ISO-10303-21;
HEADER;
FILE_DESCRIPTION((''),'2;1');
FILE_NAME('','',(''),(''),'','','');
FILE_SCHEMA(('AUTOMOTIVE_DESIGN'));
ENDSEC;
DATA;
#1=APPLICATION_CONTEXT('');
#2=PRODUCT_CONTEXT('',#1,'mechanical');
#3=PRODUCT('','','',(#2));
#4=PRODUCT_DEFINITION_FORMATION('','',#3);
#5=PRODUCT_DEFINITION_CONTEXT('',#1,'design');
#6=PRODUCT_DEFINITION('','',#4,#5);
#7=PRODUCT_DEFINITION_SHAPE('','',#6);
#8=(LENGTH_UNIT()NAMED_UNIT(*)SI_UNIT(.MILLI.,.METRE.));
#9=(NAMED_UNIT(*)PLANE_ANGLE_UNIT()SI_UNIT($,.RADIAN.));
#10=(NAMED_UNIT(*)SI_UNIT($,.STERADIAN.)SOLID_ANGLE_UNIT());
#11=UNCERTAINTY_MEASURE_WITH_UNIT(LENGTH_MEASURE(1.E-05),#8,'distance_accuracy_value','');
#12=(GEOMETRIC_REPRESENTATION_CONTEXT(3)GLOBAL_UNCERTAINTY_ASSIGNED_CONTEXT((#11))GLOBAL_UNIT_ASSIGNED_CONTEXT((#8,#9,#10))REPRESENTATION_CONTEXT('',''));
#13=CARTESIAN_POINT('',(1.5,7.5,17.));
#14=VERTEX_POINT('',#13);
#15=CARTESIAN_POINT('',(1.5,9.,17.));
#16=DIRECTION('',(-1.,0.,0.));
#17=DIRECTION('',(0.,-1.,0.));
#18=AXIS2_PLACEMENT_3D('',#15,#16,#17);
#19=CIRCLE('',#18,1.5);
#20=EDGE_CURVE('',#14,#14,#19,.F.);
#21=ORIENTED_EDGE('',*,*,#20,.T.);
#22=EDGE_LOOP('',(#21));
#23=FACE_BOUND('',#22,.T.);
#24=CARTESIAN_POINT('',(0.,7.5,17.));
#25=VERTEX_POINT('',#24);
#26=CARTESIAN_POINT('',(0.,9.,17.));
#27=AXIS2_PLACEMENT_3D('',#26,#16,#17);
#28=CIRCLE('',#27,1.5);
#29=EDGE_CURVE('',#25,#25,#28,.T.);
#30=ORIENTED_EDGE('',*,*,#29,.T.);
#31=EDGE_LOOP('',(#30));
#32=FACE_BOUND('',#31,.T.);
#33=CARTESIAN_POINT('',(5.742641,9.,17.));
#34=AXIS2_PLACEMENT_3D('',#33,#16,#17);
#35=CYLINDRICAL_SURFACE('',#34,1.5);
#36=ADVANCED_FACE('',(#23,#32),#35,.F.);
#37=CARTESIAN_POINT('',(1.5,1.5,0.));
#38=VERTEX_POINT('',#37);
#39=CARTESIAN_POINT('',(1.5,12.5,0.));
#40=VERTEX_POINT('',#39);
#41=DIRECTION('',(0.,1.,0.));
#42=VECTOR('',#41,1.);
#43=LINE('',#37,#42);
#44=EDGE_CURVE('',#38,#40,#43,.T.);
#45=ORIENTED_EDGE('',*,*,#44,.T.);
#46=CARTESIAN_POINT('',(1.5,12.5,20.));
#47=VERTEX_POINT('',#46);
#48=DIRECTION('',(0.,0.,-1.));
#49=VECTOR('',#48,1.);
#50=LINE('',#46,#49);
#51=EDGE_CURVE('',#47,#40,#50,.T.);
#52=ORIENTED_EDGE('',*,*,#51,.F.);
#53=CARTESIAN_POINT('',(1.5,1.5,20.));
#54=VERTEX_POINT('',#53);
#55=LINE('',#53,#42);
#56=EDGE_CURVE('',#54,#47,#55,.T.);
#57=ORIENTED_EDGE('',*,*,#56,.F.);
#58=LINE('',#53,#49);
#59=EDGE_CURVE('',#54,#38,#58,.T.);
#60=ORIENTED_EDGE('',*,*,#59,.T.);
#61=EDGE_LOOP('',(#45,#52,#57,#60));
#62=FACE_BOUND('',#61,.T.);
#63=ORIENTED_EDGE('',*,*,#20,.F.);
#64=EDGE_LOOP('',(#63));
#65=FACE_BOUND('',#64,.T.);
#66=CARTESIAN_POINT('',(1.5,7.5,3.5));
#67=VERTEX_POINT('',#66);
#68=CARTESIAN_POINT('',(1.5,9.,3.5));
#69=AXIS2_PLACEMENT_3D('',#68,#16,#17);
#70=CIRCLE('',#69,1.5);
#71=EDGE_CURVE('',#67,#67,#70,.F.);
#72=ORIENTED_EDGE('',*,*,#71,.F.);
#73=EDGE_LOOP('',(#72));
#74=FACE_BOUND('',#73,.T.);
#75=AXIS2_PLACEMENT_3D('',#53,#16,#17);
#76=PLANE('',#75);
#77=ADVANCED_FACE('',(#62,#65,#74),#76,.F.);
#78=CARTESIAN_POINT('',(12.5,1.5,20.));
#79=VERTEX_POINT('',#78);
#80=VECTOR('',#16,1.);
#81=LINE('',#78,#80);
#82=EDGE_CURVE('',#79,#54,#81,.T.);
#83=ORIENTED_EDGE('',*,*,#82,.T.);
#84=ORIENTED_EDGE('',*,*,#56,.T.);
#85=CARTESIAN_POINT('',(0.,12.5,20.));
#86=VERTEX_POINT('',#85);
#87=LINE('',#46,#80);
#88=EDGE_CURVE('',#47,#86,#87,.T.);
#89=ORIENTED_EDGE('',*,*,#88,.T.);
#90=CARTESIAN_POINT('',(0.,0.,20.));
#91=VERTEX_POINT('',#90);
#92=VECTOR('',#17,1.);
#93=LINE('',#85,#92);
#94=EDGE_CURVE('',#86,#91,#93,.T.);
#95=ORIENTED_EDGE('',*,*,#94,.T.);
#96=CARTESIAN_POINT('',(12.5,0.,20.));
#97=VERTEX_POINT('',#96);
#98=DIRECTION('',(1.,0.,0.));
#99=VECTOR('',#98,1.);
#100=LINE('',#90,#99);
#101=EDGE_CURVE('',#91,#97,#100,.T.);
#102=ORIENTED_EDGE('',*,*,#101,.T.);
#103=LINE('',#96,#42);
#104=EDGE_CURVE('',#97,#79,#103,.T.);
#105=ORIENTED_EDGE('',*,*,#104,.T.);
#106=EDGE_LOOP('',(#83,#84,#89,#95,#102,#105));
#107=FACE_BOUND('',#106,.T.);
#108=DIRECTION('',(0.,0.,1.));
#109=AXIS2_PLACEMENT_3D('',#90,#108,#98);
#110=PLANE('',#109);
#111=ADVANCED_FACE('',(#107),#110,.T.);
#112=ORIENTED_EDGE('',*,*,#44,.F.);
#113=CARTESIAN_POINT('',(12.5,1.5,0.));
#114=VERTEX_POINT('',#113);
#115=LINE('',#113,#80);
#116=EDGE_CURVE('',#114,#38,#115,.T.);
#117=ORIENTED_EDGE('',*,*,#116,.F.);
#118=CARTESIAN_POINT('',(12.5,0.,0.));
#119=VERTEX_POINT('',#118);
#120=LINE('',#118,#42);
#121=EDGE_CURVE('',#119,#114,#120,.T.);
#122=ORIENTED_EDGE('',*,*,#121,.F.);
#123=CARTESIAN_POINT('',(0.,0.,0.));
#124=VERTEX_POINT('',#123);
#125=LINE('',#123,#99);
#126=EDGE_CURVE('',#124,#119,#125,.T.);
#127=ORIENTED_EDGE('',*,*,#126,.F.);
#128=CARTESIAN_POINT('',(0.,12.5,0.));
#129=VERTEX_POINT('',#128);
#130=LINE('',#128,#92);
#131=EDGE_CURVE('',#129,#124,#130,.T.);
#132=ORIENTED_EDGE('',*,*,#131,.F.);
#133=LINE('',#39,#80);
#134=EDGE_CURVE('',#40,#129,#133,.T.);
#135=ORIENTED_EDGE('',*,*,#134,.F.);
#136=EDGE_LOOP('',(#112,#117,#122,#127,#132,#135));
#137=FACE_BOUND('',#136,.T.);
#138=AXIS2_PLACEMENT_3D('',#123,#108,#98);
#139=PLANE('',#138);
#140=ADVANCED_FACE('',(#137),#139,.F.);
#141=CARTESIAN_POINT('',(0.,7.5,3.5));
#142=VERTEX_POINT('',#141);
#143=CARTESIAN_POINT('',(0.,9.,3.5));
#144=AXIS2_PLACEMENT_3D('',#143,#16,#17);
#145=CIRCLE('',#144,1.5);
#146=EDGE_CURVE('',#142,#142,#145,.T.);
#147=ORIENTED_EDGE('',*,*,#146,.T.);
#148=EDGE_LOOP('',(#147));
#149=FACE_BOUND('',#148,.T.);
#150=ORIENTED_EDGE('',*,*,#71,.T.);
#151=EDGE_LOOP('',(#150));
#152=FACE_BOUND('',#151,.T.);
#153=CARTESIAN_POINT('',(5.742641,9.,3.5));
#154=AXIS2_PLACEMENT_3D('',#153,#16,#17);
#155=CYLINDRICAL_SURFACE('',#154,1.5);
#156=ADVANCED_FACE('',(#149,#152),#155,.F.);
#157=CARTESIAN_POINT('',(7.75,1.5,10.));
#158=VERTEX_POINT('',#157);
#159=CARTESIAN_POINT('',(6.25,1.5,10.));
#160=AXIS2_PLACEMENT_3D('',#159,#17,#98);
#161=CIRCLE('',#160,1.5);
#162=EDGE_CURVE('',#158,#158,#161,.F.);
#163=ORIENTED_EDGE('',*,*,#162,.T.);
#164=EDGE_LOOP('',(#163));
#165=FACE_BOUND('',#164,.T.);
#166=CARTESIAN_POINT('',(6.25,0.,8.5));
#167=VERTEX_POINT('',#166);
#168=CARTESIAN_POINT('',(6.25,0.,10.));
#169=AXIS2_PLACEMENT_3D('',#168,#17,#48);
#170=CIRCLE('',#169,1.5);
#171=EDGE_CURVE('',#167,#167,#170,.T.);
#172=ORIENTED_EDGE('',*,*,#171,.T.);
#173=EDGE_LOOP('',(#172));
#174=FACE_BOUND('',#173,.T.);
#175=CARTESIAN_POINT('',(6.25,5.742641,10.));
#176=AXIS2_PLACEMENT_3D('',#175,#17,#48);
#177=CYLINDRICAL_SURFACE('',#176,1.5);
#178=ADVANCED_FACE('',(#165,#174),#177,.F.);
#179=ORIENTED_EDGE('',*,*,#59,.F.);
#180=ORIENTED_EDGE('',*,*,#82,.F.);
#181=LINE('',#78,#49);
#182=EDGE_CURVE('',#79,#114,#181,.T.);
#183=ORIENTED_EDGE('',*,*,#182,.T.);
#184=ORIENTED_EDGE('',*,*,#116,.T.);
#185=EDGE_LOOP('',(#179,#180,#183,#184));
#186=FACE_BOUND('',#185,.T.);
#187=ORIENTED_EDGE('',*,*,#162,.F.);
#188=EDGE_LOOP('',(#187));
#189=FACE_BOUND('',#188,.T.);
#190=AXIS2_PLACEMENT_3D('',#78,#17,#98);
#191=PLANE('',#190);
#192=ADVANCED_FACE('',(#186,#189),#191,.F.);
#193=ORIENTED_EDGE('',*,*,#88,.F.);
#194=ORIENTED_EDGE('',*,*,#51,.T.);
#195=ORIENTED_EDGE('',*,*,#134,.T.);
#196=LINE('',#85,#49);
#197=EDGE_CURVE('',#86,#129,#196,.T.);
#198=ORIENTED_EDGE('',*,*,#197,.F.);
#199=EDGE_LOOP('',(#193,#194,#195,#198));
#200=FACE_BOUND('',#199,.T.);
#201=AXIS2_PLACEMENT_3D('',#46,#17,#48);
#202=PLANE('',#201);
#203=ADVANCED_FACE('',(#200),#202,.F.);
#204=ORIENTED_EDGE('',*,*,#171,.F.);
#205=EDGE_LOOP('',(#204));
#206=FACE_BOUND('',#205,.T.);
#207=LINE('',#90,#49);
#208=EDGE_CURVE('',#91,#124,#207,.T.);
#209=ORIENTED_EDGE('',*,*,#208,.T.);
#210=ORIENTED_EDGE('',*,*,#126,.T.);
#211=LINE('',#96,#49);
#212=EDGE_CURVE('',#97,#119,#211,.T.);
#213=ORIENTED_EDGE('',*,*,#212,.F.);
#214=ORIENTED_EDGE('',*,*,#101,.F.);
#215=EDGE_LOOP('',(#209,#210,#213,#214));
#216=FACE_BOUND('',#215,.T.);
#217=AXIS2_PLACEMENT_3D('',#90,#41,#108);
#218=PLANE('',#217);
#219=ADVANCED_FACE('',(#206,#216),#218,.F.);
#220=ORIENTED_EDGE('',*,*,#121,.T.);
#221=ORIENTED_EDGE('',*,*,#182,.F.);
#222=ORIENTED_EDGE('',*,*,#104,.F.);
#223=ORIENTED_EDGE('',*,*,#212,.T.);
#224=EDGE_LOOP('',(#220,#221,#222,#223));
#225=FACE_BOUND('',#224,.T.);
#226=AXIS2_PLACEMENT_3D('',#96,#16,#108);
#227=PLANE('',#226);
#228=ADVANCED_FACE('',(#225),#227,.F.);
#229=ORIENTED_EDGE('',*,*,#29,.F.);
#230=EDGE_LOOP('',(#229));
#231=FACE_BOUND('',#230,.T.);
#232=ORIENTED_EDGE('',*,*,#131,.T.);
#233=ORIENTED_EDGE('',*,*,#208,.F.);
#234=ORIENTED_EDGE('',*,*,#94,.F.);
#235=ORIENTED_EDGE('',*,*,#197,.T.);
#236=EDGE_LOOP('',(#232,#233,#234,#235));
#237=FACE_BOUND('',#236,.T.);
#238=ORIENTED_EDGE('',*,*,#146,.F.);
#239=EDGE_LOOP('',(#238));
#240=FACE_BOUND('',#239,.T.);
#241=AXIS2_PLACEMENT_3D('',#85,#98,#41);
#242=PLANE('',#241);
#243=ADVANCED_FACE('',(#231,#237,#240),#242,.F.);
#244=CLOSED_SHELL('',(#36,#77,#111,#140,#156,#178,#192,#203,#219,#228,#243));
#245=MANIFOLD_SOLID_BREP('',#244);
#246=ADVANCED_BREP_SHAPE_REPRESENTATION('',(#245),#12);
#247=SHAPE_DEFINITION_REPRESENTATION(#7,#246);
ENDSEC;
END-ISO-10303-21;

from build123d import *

# Parameters (mm, degrees)
SALIENTE_EXTRUIR1_DEPTH = 20
CROQUIS2_R              = 1.5
CORTAR_EXTRUIR1_DEPTH   = 1.5
CROQUIS3_R              = 1.5
CORTAR_EXTRUIR2_DEPTH   = 1.5


with BuildPart() as part:
    # Croquis1 → Saliente-Extruir1 (new body)
    with BuildSketch(Plane.XY):
        Polygon((0, 0), (12.5, 0), (12.5, 1.5), (1.5, 1.5), (1.5, 12.5), (0, 12.5), align=None)
    extrude(amount=SALIENTE_EXTRUIR1_DEPTH)

    # Croquis2 → Cortar-Extruir1 (cut)
    with BuildSketch(Plane.ZY):
        with Locations(Location((17, 9, 0), (0, 0, 270))):
            Circle(CROQUIS2_R)
        with Locations(Location((3.5, 9, 0), (0, 0, 270))):
            Circle(CROQUIS2_R)
    extrude(amount=-CORTAR_EXTRUIR1_DEPTH, mode=Mode.SUBTRACT)

    # Croquis3 → Cortar-Extruir2 (cut)
    with BuildSketch(Plane.XZ):
        with Locations(Location((6.25, 10, 0), (0, 0, 270))):
            Circle(CROQUIS3_R)
    extrude(amount=-CORTAR_EXTRUIR2_DEPTH, mode=Mode.SUBTRACT)


solid = part.part
